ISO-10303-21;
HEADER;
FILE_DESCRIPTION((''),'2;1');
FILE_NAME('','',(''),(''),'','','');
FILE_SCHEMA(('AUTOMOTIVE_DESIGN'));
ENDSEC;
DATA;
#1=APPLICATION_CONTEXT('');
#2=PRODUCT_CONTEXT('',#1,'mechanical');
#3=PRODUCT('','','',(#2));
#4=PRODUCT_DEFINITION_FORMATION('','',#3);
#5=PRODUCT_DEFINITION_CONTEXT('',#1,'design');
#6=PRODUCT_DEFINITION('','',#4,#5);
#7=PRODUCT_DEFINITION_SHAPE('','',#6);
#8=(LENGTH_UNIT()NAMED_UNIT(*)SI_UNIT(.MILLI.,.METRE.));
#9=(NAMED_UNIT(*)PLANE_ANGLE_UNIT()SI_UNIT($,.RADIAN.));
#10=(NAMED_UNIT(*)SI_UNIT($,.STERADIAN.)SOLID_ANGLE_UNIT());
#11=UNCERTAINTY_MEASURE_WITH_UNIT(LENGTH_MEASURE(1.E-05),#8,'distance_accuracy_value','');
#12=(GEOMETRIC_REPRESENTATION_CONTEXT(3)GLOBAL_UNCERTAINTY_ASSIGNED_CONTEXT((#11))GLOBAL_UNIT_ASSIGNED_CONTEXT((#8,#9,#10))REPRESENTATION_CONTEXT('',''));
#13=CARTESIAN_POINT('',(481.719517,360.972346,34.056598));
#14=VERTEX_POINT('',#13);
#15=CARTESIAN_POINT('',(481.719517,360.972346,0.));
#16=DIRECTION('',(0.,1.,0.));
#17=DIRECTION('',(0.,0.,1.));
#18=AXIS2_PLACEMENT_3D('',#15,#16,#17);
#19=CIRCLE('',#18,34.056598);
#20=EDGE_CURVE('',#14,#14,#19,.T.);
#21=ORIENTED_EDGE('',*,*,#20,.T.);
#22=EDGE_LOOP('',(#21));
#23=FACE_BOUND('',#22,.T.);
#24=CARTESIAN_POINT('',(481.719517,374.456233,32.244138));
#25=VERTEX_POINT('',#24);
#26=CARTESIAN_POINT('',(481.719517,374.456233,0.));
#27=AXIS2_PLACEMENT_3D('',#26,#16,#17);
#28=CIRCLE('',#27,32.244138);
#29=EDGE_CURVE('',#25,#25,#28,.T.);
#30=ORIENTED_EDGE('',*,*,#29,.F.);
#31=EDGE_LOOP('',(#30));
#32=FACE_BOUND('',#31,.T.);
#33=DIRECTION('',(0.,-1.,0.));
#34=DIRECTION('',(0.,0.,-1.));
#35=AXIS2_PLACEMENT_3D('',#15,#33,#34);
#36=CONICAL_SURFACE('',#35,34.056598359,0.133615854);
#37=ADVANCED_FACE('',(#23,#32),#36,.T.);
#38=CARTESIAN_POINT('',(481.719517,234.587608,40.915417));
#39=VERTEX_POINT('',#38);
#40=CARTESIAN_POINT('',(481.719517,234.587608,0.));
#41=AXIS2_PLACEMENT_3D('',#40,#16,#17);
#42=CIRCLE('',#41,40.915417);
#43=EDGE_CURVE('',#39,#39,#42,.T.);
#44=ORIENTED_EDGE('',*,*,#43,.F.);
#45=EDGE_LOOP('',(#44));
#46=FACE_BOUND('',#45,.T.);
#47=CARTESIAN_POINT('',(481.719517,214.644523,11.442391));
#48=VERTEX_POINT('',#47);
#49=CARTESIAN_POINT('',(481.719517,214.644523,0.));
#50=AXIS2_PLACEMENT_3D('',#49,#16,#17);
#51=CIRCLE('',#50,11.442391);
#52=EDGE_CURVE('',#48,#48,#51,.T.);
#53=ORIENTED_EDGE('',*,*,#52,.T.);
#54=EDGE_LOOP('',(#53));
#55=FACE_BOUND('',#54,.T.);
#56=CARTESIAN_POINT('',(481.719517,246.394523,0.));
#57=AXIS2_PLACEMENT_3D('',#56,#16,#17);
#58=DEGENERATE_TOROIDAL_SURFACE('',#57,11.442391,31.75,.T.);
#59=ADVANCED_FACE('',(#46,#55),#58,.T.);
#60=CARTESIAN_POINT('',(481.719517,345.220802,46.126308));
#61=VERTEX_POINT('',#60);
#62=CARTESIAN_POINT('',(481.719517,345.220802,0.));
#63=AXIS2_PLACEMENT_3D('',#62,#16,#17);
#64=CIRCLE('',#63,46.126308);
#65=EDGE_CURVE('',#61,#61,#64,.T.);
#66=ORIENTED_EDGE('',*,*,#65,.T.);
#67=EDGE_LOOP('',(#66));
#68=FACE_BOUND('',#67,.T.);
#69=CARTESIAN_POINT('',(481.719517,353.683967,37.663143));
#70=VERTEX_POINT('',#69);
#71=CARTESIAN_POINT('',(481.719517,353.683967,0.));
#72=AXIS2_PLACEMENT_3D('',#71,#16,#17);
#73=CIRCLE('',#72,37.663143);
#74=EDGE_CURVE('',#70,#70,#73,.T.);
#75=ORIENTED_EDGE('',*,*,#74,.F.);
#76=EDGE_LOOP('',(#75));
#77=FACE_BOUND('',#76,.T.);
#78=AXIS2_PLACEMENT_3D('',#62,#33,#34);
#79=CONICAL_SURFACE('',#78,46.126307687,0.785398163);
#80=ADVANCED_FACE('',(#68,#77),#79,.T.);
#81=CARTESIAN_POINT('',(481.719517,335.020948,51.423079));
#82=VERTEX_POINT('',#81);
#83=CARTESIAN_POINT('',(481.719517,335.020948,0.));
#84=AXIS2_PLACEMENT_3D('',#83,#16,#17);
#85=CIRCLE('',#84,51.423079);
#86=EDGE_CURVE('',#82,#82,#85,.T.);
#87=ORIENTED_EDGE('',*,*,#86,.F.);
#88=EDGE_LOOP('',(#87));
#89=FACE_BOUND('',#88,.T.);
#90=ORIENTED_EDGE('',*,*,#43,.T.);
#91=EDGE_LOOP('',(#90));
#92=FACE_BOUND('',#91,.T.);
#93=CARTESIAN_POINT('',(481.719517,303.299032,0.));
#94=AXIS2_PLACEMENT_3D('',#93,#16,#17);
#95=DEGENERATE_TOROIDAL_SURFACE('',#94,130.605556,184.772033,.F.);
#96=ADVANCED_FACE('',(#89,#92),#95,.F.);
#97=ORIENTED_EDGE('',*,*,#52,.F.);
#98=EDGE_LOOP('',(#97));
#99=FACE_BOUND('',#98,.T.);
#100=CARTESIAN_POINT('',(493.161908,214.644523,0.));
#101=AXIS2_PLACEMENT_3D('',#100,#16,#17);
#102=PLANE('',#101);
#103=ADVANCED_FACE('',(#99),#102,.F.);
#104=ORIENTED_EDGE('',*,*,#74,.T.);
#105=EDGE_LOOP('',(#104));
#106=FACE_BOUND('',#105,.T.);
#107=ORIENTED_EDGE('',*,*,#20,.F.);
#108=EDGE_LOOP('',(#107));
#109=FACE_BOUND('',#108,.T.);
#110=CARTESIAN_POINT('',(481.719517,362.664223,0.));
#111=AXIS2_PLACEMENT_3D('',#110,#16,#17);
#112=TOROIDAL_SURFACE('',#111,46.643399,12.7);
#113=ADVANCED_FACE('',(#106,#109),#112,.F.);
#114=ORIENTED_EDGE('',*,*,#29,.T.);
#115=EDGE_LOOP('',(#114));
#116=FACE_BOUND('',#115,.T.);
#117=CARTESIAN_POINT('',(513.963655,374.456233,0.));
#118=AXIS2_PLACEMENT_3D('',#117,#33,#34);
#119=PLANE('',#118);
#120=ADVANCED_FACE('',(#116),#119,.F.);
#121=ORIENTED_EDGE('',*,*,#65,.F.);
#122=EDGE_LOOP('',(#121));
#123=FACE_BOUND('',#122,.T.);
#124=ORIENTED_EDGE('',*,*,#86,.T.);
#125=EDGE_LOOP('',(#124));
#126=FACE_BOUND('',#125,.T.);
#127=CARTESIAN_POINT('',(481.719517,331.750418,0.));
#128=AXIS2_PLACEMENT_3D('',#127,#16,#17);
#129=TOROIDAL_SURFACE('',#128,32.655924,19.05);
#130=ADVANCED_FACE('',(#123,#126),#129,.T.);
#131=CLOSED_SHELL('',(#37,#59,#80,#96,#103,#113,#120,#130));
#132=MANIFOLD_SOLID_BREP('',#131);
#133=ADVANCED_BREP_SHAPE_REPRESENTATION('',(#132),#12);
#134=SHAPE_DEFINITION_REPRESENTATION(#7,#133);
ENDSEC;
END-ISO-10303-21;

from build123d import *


with BuildPart() as part:
    # Sketch3 → Revolve2 (revolve)
    with BuildSketch(Plane.XY, mode=Mode.PRIVATE) as revolve2_sk:
        with BuildLine():
            Line((527.845824353, 345.220801965), (519.382659671, 353.683966647))
            ThreePointArc((519.382659671, 353.683966647), (516.980270901, 357.031692672), (515.776115024, 360.972346166))
            Line((515.776115024, 360.972346166), (513.96365509, 374.456232673))
            Line((513.96365509, 374.456232673), (481.719516666, 374.456232673))
            Line((481.719516666, 374.456232673), (481.719516666, 214.64452317))
            Line((481.719516666, 214.64452317), (493.161907992, 214.64452317))
            ThreePointArc((493.161907992, 214.64452317), (510.955066032, 220.098781557), (522.6349339, 234.587608086))
            ThreePointArc((522.6349339, 234.587608086), (534.882960602, 284.072522551), (533.142595858, 335.020947926))
            ThreePointArc((533.142595858, 335.020947926), (531.281770341, 340.529853995), (527.845824353, 345.220801965))
        make_face()
    revolve(revolve2_sk.sketch.rotate(Axis((481.719516666, 374.456232673, 0), (0, -1, 0)), 90), axis=Axis((481.719516666, 374.456232673, 0), (0, -1, 0)))


solid = part.part
